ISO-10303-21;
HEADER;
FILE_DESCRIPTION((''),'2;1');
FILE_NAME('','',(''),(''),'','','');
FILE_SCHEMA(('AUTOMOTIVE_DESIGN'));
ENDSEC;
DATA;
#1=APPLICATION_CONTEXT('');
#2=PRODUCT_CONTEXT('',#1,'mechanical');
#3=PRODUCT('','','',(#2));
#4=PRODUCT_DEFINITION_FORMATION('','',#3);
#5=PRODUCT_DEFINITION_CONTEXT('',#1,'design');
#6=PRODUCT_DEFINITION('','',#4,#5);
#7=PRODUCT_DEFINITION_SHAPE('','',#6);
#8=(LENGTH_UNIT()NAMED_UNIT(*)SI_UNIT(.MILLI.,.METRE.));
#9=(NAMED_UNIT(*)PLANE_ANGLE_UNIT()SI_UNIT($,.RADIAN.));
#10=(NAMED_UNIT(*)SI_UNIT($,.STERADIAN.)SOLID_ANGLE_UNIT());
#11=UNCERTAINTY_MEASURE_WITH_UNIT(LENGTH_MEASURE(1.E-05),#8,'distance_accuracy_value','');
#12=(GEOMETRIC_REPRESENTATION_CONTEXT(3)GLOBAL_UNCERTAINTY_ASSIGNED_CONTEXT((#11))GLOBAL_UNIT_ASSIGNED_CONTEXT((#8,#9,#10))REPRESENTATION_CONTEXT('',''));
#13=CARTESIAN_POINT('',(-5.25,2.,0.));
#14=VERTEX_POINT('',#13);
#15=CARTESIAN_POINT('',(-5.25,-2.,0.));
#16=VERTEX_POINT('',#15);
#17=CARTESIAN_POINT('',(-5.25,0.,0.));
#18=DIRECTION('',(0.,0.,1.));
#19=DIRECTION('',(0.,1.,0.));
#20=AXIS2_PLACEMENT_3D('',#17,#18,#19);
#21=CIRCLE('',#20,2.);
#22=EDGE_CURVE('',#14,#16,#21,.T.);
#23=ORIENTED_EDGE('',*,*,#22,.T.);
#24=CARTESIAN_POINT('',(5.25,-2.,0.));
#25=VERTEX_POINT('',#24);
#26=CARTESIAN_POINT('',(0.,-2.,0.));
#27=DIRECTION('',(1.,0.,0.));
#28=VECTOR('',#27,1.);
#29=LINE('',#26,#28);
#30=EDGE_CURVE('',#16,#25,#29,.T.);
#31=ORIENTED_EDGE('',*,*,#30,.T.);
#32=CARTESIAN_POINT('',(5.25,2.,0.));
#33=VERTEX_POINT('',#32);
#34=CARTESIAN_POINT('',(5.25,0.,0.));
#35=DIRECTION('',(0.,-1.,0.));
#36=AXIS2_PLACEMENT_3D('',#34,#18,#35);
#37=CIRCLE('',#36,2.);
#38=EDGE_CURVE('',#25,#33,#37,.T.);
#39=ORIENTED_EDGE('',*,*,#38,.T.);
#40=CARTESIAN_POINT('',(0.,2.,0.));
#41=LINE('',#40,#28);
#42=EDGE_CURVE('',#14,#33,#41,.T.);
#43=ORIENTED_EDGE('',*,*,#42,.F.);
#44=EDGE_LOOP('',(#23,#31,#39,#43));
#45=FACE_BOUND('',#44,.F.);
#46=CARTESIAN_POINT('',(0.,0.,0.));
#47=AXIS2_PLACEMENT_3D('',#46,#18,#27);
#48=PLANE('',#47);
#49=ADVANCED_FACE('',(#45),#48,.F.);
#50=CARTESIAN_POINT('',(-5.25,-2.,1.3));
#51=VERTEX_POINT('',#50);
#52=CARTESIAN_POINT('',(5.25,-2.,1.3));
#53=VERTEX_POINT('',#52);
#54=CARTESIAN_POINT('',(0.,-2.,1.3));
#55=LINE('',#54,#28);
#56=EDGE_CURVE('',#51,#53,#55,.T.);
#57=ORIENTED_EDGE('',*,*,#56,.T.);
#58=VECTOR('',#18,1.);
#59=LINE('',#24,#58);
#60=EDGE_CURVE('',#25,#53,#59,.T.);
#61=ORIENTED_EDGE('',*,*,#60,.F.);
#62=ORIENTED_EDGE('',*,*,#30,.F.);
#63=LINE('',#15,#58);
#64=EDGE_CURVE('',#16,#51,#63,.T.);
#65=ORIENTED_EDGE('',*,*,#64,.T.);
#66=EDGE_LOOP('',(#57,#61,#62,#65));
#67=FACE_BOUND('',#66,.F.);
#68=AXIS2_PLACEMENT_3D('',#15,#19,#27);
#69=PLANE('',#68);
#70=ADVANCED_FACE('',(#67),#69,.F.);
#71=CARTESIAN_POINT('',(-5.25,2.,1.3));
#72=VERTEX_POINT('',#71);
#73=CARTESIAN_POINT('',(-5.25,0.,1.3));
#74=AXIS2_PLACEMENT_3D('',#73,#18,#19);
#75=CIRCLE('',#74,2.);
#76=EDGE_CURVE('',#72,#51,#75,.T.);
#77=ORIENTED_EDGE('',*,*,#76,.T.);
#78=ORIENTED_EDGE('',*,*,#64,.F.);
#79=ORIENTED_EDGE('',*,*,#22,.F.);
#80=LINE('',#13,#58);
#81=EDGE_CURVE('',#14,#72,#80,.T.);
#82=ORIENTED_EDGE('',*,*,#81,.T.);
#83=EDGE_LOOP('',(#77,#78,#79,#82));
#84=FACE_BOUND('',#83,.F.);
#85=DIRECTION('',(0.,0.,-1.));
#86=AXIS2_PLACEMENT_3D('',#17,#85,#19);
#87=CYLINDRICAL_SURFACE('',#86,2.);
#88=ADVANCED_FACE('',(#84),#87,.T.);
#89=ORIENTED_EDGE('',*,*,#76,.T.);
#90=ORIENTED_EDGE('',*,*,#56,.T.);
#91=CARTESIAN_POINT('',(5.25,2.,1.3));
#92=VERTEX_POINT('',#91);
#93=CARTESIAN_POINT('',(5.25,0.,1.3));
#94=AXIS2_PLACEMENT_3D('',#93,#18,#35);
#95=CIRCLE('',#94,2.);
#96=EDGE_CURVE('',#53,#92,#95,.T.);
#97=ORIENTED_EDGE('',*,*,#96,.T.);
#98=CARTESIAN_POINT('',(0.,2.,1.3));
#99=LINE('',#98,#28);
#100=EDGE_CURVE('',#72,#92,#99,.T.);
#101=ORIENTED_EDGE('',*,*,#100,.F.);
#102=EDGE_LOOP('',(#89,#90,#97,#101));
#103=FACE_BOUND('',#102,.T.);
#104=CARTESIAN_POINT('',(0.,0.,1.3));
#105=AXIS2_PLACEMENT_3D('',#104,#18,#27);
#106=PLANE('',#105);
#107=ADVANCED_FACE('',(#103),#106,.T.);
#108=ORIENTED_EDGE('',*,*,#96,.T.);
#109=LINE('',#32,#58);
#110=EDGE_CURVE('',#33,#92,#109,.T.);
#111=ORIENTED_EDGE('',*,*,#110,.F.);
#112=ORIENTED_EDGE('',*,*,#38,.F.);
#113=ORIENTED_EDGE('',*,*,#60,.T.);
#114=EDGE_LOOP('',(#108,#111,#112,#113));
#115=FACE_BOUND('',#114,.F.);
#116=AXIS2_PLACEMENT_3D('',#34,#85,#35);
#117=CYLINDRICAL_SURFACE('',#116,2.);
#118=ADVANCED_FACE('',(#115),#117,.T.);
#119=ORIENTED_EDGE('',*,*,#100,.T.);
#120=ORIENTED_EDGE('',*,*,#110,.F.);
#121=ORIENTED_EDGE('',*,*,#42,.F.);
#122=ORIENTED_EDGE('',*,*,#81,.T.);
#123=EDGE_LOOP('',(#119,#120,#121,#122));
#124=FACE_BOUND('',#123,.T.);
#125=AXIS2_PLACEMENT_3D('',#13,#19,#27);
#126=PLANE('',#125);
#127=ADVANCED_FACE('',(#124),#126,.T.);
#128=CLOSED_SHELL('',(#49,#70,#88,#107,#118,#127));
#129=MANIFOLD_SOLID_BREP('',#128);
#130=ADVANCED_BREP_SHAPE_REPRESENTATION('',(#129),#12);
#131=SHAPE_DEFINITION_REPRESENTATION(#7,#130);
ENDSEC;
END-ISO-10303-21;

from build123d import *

# Parameters (mm, degrees)
F0_W     = 10.5
F0_H     = 4
F1_DEPTH = 1.3


with BuildPart() as f1:
    # F0 (on Top) → F1 (new body)
    with BuildSketch(Plane.XY):
        Rectangle(F0_W, F0_H)
        with BuildLine():
            Line((5.25, 2), (5.25, -2))
            ThreePointArc((5.25, -2), (7.25, 0), (5.25, 2))
        make_face()
        with BuildLine():
            ThreePointArc((-5.25, 2), (-7.25, 0), (-5.25, -2))
            Line((-5.25, -2), (-5.25, 2))
        make_face()
    extrude(amount=F1_DEPTH)


solid = f1.part
